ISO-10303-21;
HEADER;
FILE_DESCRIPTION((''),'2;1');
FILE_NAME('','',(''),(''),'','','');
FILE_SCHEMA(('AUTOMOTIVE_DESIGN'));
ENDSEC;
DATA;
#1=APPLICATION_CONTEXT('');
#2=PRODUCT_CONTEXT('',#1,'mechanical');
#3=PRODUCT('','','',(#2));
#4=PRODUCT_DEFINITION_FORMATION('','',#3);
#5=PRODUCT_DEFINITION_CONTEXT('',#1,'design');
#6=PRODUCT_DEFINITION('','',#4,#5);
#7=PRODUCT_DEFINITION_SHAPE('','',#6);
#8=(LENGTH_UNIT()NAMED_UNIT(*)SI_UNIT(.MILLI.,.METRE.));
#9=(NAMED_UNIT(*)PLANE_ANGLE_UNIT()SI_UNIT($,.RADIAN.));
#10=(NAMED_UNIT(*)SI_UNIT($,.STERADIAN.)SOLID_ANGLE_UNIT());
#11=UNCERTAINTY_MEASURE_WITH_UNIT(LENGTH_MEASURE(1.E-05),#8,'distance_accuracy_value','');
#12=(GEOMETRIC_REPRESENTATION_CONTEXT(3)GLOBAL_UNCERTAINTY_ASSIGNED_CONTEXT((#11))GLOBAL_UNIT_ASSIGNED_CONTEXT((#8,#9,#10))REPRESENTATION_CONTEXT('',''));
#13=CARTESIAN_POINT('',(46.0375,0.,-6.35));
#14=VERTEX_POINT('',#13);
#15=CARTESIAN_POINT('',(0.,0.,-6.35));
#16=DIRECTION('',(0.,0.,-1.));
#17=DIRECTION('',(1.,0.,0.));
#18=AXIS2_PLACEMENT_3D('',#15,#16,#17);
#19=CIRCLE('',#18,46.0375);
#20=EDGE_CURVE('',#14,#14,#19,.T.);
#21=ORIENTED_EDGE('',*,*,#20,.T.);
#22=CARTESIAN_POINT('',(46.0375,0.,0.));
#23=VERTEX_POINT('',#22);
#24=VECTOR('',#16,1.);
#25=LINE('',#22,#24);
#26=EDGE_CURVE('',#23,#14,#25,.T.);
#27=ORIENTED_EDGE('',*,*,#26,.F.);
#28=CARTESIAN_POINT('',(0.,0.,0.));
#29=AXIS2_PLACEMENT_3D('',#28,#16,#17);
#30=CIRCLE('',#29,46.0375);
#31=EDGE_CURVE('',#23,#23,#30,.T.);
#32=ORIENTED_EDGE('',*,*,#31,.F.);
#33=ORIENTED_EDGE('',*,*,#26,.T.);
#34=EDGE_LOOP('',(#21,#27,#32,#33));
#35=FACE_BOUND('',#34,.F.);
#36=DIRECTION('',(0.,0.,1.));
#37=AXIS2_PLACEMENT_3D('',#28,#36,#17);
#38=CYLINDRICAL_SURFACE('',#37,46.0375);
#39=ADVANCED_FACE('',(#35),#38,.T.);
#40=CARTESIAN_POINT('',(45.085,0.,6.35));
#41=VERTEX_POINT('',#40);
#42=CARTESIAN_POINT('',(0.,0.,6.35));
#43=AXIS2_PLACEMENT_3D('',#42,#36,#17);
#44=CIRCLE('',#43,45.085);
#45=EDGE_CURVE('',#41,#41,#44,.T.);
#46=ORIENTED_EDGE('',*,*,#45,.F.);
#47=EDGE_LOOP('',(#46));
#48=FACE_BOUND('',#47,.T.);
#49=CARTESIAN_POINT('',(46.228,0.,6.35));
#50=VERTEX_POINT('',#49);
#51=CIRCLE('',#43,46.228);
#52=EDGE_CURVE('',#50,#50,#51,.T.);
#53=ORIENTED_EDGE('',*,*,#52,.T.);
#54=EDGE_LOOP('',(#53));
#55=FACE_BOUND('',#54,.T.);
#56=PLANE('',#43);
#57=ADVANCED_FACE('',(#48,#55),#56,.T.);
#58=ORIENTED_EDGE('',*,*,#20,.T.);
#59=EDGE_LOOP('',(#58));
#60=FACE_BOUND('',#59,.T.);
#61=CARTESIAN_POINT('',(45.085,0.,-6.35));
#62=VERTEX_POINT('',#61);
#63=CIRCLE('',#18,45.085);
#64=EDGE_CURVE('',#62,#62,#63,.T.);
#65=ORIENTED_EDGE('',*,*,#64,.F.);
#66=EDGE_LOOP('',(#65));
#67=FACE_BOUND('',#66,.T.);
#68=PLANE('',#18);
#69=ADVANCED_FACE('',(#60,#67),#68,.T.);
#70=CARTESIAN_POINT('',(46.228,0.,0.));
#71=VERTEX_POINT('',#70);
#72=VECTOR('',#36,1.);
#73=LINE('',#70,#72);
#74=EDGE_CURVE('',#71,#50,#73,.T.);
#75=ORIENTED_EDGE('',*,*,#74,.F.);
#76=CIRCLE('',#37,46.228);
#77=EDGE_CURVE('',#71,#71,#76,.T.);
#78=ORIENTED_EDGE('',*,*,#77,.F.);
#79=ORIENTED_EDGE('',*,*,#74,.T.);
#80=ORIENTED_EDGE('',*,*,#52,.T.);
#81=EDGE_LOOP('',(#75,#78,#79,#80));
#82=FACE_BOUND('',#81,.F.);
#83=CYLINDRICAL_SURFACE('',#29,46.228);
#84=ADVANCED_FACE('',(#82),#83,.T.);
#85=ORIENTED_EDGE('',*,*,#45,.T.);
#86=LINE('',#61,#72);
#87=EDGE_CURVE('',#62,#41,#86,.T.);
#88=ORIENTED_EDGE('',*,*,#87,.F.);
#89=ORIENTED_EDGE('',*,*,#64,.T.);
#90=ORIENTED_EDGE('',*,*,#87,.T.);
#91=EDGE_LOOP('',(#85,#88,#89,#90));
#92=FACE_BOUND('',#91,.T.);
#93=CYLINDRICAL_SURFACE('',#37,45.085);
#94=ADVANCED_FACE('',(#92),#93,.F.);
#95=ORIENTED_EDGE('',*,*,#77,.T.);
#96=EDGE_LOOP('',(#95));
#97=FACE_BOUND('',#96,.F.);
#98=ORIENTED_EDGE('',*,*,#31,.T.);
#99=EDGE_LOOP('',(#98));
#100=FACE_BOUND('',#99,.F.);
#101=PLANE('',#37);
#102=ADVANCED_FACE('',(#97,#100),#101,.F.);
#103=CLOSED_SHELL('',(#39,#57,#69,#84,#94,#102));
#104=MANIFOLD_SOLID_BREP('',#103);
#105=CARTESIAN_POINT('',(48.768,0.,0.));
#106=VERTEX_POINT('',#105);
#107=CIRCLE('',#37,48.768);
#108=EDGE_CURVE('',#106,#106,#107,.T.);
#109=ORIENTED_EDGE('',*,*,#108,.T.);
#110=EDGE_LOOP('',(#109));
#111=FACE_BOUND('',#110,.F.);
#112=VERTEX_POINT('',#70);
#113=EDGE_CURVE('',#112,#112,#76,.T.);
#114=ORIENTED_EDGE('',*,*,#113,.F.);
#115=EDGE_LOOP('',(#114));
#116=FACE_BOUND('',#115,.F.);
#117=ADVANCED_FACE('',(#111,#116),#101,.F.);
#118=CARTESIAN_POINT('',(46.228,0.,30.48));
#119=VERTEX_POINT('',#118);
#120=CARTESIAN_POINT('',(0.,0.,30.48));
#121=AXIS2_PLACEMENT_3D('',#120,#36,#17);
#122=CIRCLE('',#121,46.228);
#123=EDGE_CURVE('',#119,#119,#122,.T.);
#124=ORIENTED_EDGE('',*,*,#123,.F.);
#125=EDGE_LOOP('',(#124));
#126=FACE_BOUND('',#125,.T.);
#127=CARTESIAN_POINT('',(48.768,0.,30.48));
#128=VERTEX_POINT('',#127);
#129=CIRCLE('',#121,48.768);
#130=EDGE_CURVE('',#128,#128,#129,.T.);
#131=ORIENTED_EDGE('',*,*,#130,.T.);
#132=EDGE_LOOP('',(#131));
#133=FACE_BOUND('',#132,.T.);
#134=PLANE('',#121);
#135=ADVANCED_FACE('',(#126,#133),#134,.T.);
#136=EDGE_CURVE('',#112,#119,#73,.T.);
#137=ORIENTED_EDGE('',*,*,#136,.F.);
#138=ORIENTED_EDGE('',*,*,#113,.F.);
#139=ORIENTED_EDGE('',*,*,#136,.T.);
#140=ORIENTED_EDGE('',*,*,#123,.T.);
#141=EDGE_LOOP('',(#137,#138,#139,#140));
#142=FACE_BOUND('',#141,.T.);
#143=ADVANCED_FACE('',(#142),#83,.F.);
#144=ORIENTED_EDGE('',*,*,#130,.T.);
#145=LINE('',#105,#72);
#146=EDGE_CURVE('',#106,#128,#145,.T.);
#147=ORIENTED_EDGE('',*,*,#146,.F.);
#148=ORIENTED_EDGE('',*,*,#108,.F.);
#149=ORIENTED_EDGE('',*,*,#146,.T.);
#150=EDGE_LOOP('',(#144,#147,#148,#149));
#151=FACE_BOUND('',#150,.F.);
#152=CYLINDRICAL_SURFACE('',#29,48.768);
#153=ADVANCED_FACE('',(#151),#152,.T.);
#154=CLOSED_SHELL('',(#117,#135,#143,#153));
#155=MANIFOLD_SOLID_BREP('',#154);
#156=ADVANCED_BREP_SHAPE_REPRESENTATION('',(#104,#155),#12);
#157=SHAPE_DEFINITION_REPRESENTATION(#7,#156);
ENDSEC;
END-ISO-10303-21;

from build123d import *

# Parameters (mm, degrees)
F0_R     = 48.768
F0_R_2   = 46.228
F1_DEPTH = 30.48
F2_R     = 46.228
F2_R_2   = 45.085
F3_DEPTH = 6.35
F4_R     = 46.0375
F4_R_2   = 45.085
F5_DEPTH = 6.35


with BuildPart() as f1:
    # F0 (on Top) → F1 (new body)
    with BuildSketch(Plane.XY):
        Circle(F0_R)
        Circle(F0_R_2, mode=Mode.SUBTRACT)
    extrude(amount=F1_DEPTH)


with BuildPart() as f3:
    # F2 (on Top) → F3 (new body)
    with BuildSketch(Plane.XY):
        Circle(F2_R)
        Circle(F2_R_2, mode=Mode.SUBTRACT)
    extrude(amount=F3_DEPTH)

    # F4 (on face) → F5 (join)
    with BuildSketch(Plane(origin=(0, 0, 0), x_dir=(1, 0, 0), z_dir=(0, 0, -1))):
        Circle(F4_R)
        Circle(F4_R_2, mode=Mode.SUBTRACT)
    extrude(amount=F5_DEPTH)


solid = Compound([f1.part, f3.part])
